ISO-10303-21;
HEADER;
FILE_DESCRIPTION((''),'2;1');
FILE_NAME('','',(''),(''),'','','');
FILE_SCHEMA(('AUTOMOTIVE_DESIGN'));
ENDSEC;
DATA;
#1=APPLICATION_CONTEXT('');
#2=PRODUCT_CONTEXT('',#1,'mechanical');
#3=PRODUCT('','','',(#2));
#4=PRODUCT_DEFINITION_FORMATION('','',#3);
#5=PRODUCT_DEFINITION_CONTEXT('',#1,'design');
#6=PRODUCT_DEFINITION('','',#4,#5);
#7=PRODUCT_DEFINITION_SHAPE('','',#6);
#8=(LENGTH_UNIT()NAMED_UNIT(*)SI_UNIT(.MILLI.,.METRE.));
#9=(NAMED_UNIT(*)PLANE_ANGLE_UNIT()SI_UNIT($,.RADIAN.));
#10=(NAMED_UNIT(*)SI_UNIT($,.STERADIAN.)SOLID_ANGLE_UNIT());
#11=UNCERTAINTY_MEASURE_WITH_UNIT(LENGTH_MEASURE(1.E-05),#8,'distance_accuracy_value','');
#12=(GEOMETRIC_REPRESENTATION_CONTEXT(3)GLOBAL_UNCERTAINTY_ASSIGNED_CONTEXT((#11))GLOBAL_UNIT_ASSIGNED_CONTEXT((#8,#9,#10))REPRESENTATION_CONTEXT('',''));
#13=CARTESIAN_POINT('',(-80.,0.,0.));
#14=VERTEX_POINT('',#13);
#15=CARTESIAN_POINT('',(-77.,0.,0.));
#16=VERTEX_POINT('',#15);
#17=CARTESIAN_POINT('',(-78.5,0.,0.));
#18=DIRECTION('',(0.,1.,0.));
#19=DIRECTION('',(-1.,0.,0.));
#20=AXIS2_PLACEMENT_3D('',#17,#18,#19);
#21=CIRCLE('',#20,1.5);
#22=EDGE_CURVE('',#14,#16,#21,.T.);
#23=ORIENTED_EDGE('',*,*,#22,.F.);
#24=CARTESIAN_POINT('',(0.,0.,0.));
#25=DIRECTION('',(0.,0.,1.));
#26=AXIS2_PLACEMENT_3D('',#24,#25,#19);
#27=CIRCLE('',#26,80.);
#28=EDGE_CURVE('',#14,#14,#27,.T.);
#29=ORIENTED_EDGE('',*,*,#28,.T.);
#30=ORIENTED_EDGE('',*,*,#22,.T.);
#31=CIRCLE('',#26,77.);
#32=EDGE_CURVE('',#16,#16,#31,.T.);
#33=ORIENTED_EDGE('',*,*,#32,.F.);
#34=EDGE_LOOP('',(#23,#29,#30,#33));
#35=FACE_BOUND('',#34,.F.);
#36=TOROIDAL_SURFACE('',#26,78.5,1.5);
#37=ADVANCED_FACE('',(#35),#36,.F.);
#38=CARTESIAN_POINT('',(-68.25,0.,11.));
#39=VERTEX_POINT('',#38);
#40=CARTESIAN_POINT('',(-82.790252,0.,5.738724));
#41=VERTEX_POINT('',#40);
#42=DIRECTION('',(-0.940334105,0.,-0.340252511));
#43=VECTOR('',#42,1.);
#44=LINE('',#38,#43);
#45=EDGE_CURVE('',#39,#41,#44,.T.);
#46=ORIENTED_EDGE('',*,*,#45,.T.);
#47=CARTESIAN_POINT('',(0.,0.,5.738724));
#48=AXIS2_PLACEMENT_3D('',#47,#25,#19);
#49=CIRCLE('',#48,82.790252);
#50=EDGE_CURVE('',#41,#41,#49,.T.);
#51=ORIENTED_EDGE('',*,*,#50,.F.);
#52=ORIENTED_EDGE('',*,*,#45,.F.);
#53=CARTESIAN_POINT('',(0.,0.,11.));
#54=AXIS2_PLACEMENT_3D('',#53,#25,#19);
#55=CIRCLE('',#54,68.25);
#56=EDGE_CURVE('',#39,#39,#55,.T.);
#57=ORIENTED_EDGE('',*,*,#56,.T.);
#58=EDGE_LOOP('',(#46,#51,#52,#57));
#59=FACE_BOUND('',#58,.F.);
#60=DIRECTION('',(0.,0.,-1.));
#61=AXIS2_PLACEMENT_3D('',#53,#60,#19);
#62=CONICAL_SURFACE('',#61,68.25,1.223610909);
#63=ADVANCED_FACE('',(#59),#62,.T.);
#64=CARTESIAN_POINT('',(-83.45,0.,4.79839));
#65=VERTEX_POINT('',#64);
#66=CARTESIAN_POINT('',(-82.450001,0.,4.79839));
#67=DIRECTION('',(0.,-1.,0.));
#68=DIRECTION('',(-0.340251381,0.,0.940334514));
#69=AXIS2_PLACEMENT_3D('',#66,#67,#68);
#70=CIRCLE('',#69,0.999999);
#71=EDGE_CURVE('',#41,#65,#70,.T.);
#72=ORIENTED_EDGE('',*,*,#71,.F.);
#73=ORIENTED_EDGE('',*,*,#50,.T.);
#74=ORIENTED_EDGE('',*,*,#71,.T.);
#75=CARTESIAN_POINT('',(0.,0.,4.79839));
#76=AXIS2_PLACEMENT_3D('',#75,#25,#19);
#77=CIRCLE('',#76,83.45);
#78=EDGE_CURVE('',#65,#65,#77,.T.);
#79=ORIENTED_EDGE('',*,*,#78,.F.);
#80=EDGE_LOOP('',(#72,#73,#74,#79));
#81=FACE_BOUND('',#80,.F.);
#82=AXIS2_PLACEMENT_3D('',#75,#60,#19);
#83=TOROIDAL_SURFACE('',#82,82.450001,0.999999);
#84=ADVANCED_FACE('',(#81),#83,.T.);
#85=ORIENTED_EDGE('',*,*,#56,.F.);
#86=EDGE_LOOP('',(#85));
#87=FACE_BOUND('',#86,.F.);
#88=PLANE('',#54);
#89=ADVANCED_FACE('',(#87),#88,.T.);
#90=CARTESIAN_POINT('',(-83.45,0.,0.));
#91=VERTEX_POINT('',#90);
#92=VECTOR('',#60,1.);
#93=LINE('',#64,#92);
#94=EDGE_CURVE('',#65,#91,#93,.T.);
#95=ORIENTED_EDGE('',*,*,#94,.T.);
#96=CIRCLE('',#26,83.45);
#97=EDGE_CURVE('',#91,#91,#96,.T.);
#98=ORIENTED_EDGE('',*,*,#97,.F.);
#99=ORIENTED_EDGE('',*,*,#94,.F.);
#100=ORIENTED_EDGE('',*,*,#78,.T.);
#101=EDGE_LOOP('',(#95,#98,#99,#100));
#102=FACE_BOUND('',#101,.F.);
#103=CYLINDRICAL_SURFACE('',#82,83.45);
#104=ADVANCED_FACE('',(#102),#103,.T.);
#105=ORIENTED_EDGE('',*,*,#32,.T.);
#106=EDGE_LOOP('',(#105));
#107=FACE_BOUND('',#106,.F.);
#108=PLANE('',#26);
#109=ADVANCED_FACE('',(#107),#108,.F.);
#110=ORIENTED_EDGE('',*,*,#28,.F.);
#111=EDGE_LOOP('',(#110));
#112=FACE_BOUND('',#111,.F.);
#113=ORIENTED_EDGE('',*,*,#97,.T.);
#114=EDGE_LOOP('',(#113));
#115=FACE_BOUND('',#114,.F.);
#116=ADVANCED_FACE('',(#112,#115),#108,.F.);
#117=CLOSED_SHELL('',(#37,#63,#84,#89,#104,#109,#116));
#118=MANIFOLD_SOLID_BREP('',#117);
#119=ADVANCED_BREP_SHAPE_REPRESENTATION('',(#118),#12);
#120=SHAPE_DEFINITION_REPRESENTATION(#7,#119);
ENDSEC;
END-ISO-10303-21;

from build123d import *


with BuildPart() as f1:
    # F0 (on Front) → F1 (revolve)
    with BuildSketch(Plane.XZ):
        with BuildLine():
            Line((-83.45, 4.79839), (-83.45, 0))
            Line((-83.45, 0), (-80, 0))
            ThreePointArc((-80, 0), (-78.5, 1.5), (-77, 0))
            Line((-77, 0), (0, 0))
            Line((0, 0), (0, 11))
            Line((0, 11), (-68.25, 11))
            Line((-68.25, 11), (-82.790252, 5.738724))
            ThreePointArc((-82.790252, 5.738724), (-83.268612, 5.372737), (-83.45, 4.79839))
        make_face()
    revolve(axis=Axis((0, 0, 19.393453), (0, 0, 1)))


solid = f1.part
